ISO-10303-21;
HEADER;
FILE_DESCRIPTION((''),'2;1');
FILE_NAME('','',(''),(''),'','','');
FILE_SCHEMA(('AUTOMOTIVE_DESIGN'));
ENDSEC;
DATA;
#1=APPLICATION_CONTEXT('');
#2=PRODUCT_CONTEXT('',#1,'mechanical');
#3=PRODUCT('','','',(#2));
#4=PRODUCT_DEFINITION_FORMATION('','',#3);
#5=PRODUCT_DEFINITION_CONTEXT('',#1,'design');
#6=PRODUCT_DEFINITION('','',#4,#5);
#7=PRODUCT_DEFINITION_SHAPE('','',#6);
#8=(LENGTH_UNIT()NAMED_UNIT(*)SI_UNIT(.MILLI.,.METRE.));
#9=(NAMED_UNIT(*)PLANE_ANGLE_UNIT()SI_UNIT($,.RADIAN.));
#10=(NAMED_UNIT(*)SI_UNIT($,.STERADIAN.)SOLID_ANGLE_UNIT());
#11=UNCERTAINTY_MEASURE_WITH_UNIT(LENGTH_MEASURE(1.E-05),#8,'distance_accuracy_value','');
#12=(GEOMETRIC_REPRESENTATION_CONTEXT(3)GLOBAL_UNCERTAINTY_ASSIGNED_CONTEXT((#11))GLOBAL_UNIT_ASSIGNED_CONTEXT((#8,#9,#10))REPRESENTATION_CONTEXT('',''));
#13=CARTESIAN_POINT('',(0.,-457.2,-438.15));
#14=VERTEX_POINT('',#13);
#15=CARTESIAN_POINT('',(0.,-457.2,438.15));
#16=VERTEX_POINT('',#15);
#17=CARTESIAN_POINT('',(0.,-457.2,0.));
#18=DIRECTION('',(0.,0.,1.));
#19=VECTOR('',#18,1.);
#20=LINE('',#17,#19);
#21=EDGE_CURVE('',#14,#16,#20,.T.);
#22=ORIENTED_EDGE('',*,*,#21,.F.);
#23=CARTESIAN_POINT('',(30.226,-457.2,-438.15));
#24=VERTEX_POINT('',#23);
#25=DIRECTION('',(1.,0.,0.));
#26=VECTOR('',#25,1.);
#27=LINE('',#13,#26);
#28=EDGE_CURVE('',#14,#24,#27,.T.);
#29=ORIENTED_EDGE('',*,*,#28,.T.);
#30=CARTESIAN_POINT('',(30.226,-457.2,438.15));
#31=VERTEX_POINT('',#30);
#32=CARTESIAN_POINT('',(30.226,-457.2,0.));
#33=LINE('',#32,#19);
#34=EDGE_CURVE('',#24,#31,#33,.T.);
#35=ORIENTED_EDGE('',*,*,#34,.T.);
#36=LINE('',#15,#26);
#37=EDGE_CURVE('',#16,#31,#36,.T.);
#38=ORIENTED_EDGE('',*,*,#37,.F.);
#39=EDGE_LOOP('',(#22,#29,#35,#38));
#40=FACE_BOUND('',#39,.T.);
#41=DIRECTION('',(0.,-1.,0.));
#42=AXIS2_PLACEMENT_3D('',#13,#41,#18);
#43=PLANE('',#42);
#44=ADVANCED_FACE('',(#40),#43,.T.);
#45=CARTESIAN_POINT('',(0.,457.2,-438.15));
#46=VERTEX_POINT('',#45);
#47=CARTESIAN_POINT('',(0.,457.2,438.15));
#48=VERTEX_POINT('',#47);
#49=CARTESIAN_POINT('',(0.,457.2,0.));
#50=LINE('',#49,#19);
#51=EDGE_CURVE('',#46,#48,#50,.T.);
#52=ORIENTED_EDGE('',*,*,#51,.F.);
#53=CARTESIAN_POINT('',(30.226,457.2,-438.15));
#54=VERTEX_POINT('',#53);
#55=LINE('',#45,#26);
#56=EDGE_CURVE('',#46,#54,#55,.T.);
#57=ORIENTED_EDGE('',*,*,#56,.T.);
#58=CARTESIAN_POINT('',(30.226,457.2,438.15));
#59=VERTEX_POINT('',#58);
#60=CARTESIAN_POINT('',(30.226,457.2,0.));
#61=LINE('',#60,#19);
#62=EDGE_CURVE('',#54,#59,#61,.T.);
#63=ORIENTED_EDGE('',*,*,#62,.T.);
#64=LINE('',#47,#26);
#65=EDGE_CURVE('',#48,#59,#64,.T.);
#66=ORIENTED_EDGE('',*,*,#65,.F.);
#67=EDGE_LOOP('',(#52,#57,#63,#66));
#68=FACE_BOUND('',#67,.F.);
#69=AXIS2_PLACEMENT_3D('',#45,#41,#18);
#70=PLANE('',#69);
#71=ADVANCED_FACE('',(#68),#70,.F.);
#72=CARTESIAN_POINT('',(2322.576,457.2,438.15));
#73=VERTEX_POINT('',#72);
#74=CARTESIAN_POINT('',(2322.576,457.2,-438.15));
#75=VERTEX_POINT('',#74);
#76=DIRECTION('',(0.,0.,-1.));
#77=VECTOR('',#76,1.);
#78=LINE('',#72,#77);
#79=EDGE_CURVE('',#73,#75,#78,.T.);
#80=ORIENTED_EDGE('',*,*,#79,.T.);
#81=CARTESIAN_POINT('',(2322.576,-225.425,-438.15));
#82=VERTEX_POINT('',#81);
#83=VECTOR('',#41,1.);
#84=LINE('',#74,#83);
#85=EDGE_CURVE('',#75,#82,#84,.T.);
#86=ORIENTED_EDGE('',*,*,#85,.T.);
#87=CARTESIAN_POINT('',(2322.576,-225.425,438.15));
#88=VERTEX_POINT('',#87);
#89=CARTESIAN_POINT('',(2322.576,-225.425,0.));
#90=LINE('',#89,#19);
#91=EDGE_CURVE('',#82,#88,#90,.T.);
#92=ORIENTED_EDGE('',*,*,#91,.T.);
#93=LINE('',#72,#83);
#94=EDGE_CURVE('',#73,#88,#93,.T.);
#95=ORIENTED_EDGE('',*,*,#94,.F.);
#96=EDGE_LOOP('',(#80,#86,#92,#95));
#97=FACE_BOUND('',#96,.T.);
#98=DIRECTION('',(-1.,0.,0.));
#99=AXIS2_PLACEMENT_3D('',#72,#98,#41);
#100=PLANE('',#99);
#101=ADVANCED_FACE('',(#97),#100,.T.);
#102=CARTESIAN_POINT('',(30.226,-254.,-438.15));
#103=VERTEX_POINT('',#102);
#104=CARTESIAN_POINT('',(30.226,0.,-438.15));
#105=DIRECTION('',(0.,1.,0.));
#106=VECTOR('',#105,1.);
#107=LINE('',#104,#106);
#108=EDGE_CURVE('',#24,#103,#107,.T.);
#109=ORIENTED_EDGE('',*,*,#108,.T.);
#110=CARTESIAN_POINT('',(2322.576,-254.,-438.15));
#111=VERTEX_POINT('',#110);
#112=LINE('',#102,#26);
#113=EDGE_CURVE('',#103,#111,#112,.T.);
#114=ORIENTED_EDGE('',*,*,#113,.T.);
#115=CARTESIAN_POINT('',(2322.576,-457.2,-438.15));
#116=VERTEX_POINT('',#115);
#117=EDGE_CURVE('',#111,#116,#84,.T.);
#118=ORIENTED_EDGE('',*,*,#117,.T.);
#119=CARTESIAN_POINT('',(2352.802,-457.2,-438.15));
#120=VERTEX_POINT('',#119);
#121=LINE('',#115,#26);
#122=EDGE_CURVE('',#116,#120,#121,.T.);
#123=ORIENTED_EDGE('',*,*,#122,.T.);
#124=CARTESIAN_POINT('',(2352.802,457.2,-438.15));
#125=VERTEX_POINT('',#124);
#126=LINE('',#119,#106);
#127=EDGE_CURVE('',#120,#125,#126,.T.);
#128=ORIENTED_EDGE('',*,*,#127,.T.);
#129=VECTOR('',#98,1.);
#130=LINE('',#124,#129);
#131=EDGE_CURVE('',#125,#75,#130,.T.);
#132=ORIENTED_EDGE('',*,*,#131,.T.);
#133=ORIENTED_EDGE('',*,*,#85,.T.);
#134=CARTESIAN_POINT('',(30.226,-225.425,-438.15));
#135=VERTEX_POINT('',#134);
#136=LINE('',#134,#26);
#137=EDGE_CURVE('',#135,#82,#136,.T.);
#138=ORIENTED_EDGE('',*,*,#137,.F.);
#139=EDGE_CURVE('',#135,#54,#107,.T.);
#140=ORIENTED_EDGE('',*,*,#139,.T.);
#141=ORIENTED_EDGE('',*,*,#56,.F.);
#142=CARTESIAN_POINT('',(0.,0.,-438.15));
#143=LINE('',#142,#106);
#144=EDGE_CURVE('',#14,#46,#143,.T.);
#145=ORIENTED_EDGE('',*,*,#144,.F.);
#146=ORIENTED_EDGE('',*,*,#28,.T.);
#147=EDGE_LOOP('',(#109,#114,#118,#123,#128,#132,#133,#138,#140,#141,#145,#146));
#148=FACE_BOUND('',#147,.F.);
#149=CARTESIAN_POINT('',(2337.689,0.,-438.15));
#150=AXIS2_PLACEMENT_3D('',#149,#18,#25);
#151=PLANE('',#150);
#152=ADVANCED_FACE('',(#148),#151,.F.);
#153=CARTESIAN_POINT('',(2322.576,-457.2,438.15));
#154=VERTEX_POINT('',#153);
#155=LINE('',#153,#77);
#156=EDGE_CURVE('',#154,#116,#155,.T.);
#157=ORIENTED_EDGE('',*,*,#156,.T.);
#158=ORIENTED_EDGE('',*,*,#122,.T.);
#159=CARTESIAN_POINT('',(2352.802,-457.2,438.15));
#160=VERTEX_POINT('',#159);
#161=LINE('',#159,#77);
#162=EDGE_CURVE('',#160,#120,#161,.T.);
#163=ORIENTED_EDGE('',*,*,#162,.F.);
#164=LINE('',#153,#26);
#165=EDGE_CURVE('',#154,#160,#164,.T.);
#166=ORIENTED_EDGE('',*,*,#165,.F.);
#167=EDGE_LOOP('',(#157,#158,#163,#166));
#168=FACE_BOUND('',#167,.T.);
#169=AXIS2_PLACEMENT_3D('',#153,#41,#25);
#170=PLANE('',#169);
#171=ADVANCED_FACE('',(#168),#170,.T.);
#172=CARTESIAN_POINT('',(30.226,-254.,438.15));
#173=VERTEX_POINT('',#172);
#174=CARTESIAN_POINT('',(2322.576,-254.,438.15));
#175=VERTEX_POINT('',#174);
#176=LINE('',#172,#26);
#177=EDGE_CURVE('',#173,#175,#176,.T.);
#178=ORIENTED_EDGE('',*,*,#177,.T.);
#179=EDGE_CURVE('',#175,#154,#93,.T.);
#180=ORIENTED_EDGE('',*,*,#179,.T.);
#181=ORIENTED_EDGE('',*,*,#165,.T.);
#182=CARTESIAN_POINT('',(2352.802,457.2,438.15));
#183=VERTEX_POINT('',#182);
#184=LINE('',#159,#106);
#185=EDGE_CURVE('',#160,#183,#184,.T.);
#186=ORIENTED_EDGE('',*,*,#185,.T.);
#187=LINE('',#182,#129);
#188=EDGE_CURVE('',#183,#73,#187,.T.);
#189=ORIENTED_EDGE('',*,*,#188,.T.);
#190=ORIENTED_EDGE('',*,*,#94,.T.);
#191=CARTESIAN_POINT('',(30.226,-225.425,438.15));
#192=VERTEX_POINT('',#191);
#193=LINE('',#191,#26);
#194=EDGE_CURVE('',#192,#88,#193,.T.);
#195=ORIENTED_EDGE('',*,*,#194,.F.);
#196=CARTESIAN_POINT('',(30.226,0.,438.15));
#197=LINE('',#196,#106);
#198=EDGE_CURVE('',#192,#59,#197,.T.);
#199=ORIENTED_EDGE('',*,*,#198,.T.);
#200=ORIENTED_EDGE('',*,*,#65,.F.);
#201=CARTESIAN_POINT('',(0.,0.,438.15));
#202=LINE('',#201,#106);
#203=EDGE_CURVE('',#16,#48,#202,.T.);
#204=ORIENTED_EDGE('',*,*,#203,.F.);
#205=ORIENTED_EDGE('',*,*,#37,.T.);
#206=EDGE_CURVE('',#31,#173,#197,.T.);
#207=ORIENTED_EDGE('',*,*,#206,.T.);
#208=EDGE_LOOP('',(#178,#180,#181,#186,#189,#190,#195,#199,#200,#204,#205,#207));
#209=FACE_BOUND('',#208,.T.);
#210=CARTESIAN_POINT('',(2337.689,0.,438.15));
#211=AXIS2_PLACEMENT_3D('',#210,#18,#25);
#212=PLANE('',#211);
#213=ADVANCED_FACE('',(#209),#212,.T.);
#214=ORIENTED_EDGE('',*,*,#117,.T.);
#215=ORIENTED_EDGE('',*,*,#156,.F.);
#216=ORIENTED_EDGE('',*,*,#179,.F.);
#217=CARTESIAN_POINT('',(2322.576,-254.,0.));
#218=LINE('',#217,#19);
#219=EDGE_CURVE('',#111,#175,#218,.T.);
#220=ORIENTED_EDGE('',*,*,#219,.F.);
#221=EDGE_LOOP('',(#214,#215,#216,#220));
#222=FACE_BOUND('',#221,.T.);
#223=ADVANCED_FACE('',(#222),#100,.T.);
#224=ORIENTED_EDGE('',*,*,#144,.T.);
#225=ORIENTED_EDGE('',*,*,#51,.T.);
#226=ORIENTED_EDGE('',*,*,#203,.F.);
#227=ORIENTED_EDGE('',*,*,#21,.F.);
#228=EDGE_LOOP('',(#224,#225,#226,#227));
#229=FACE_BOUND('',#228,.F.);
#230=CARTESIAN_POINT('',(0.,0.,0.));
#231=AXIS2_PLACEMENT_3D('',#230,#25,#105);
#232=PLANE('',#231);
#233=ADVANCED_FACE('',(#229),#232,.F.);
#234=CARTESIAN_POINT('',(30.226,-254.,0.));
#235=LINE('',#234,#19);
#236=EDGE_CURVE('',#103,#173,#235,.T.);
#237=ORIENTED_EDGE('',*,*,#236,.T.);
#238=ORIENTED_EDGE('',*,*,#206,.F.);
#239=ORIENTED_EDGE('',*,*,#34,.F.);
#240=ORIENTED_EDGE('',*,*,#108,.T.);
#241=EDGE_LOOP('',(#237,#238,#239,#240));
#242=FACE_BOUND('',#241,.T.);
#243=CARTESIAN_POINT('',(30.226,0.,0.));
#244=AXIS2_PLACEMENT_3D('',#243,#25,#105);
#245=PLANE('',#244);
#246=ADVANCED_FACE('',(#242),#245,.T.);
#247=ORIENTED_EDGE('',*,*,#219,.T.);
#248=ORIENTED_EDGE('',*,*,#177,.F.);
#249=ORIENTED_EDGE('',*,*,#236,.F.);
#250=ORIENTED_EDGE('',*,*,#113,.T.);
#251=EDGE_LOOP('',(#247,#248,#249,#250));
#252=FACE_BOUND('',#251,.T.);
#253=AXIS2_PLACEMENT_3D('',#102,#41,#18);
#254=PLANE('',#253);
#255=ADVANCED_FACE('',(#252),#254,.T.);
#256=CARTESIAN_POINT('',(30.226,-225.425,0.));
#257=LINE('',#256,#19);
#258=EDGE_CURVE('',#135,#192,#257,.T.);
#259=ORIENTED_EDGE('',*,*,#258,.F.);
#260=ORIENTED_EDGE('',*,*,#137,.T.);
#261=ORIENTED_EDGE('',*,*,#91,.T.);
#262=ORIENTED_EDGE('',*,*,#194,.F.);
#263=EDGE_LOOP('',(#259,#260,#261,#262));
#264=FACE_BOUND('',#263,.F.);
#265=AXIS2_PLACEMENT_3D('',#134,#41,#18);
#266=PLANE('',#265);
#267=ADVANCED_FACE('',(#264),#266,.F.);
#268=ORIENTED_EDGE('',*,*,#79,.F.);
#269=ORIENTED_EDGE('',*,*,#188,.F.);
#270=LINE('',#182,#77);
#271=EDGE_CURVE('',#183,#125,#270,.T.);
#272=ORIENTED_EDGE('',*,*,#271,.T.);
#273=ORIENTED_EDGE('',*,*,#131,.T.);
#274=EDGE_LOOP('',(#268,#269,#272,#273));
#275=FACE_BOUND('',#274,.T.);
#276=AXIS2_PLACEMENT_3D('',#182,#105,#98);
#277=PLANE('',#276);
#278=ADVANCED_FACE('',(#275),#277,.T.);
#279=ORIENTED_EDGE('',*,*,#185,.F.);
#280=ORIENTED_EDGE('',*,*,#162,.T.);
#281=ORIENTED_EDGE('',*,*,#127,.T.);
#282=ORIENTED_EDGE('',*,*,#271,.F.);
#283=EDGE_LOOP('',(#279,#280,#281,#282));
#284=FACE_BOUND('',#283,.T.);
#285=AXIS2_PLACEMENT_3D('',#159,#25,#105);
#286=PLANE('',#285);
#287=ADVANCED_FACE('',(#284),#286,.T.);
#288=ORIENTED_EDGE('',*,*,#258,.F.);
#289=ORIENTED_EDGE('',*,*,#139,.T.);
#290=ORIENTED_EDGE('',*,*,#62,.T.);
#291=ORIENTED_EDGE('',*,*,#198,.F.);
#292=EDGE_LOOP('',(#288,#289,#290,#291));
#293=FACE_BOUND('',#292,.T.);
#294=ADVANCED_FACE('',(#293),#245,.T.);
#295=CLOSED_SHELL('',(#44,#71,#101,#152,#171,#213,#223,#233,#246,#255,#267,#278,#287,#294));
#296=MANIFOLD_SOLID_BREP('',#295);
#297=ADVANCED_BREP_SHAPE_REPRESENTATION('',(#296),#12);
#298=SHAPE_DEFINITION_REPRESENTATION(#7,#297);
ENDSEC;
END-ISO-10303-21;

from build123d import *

# Parameters (mm, degrees)
F0_W     = 914.4
F0_H     = 876.3
F1_DEPTH = 30.226
F2_W     = 28.575
F2_H     = 876.3
F3_DEPTH = 2292.35
F5_DEPTH = 876.3


with BuildPart() as f1:
    # F0 (on Right) → F1 (new body)
    with BuildSketch(Plane.YZ):
        Rectangle(F0_W, F0_H)
    extrude(amount=F1_DEPTH)

    # F2 (on face) → F3 (join)
    with BuildSketch(Plane.YZ.offset(30.226)):
        with Locations((-239.7125, 0)):
            Rectangle(F2_W, F2_H)
    extrude(amount=F3_DEPTH)

    # F4 (on face) → F5 (join)
    with BuildSketch(Plane.XY.offset(438.15)):
        Polygon((2322.576, -225.425), (2322.576, -254), (2322.576, -457.2), (2352.802, -457.2), (2352.802, 457.2), (2322.576, 457.2), align=None)
    extrude(amount=-F5_DEPTH)


solid = f1.part
